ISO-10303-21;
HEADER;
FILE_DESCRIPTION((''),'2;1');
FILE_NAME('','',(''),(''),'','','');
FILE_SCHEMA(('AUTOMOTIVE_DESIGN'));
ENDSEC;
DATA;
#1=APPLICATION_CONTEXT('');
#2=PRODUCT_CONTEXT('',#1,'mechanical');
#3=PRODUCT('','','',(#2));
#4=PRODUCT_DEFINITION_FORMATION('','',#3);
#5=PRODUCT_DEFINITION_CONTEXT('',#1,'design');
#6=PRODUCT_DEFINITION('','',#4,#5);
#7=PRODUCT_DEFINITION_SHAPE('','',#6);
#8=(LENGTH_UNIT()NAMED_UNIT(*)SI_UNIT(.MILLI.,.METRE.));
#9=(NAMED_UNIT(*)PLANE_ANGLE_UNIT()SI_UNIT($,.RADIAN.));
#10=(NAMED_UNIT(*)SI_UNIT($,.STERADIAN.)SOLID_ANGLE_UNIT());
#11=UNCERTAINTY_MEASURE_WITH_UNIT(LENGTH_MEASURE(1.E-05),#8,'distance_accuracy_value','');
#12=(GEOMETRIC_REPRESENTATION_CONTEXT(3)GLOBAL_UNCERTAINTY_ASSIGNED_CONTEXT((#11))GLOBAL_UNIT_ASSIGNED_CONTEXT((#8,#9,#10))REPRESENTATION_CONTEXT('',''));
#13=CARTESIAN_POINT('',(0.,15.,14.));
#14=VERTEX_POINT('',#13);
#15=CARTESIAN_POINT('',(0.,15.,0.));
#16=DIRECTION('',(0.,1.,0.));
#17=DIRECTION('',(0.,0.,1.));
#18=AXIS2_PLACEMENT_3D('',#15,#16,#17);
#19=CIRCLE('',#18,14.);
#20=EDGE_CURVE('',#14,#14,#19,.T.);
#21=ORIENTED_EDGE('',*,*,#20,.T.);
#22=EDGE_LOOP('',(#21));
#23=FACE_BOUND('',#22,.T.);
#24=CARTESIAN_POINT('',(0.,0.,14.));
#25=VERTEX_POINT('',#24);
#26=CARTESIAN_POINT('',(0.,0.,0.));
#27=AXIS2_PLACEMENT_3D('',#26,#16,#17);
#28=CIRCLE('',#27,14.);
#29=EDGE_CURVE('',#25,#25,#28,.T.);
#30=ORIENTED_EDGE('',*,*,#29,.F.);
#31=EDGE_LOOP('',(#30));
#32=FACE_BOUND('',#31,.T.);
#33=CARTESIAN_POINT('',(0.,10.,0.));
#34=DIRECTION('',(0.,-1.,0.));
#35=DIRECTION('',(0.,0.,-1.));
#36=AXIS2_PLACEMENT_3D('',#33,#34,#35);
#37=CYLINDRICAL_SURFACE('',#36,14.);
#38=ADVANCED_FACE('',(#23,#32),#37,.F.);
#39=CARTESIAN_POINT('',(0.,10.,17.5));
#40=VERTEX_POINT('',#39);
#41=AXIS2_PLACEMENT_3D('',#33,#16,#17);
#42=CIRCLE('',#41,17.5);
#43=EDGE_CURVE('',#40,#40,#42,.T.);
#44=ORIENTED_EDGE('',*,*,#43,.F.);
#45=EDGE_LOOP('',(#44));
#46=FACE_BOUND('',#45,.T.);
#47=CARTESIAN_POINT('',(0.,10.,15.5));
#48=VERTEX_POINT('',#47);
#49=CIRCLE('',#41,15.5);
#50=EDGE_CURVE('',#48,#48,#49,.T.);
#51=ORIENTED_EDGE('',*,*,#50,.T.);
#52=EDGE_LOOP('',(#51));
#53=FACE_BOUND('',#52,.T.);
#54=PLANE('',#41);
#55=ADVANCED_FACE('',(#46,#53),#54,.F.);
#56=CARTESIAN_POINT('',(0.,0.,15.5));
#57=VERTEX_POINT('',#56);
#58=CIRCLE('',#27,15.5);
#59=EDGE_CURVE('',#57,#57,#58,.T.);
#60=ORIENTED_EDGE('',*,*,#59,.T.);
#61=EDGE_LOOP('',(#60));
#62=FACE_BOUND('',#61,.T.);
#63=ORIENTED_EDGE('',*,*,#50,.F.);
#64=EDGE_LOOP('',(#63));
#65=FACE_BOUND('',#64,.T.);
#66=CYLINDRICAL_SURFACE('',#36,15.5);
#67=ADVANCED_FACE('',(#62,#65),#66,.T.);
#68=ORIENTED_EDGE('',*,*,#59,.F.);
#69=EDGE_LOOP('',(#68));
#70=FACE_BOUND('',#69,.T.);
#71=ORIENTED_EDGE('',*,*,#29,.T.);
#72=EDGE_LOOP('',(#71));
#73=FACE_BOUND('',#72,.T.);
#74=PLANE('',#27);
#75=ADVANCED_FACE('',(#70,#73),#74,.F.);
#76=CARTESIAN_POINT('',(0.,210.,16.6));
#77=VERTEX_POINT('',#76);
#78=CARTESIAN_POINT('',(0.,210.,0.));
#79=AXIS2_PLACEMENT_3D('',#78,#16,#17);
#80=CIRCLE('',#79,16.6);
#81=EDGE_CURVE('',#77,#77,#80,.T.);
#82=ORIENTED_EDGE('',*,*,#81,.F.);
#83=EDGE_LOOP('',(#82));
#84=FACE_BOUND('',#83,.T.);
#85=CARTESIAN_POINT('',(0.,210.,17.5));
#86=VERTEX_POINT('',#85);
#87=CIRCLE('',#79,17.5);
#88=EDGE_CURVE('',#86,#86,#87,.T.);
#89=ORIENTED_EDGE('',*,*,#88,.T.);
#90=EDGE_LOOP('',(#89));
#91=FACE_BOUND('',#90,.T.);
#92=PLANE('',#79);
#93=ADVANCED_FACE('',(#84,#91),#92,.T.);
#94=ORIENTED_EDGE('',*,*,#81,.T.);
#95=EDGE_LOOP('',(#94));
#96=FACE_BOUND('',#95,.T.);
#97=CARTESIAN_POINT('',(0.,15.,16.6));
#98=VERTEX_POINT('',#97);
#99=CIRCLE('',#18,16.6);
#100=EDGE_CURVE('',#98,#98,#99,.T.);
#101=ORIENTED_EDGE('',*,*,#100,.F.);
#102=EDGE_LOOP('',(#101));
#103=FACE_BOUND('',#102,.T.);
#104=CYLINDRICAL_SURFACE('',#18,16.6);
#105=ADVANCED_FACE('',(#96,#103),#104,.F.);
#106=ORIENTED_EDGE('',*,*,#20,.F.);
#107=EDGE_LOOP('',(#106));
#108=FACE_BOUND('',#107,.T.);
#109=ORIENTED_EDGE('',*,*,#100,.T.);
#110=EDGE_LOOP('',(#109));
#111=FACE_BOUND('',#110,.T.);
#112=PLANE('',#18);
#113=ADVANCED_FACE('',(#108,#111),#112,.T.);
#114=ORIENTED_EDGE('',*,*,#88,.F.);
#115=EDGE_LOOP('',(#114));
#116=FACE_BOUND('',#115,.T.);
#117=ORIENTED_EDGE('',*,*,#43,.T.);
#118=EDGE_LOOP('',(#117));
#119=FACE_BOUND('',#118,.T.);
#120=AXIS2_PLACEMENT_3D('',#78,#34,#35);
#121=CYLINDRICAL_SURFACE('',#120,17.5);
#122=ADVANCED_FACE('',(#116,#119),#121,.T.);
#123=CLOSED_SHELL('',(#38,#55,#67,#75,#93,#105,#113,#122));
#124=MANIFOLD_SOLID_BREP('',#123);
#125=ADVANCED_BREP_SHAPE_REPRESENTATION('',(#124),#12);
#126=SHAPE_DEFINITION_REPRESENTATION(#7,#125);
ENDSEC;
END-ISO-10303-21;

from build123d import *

# Parameters (mm, degrees)
SKETCH1_R           = 15.5
SKETCH1_R_2         = 14
BOSS_EXTRUDE1_DEPTH = 10
SKETCH4_R           = 17.5
SKETCH4_R_2         = 14
BOSS_EXTRUDE2_DEPTH = 200
SKETCH5_R           = 16.6
CUT_EXTRUDE2_DEPTH  = 195


with BuildPart() as part:
    # Sketch1 → Boss-Extrude1 (new body)
    with BuildSketch(Plane(origin=(0, 0, 0), x_dir=(1, 0, 0), z_dir=(0, 1, 0))):
        with Locations(Location((0, 0, 0), (0, 0, 270))):
            Circle(SKETCH1_R)
        with Locations(Location((0, 0, 0), (0, 0, 270))):
            Circle(SKETCH1_R_2, mode=Mode.SUBTRACT)
    extrude(amount=BOSS_EXTRUDE1_DEPTH)

    # Sketch4 → Boss-Extrude2 (add)
    with BuildSketch(Plane(origin=(0, 10, 0), x_dir=(1, 0, 0), z_dir=(0, 1, 0))):
        with Locations(Location((0, 0, 0), (0, 0, 270))):
            Circle(SKETCH4_R)
        with Locations(Location((0, 0, 0), (0, 0, 270))):
            Circle(SKETCH4_R_2, mode=Mode.SUBTRACT)
    extrude(amount=BOSS_EXTRUDE2_DEPTH)

    # Sketch5 → Cut-Extrude2 (cut)
    with BuildSketch(Plane(origin=(0, 210, 0), x_dir=(1, 0, 0), z_dir=(0, 1, 0))):
        with Locations(Location((0, 0, 0), (0, 0, 270))):
            Circle(SKETCH5_R)
    extrude(amount=-CUT_EXTRUDE2_DEPTH, mode=Mode.SUBTRACT)


solid = part.part
